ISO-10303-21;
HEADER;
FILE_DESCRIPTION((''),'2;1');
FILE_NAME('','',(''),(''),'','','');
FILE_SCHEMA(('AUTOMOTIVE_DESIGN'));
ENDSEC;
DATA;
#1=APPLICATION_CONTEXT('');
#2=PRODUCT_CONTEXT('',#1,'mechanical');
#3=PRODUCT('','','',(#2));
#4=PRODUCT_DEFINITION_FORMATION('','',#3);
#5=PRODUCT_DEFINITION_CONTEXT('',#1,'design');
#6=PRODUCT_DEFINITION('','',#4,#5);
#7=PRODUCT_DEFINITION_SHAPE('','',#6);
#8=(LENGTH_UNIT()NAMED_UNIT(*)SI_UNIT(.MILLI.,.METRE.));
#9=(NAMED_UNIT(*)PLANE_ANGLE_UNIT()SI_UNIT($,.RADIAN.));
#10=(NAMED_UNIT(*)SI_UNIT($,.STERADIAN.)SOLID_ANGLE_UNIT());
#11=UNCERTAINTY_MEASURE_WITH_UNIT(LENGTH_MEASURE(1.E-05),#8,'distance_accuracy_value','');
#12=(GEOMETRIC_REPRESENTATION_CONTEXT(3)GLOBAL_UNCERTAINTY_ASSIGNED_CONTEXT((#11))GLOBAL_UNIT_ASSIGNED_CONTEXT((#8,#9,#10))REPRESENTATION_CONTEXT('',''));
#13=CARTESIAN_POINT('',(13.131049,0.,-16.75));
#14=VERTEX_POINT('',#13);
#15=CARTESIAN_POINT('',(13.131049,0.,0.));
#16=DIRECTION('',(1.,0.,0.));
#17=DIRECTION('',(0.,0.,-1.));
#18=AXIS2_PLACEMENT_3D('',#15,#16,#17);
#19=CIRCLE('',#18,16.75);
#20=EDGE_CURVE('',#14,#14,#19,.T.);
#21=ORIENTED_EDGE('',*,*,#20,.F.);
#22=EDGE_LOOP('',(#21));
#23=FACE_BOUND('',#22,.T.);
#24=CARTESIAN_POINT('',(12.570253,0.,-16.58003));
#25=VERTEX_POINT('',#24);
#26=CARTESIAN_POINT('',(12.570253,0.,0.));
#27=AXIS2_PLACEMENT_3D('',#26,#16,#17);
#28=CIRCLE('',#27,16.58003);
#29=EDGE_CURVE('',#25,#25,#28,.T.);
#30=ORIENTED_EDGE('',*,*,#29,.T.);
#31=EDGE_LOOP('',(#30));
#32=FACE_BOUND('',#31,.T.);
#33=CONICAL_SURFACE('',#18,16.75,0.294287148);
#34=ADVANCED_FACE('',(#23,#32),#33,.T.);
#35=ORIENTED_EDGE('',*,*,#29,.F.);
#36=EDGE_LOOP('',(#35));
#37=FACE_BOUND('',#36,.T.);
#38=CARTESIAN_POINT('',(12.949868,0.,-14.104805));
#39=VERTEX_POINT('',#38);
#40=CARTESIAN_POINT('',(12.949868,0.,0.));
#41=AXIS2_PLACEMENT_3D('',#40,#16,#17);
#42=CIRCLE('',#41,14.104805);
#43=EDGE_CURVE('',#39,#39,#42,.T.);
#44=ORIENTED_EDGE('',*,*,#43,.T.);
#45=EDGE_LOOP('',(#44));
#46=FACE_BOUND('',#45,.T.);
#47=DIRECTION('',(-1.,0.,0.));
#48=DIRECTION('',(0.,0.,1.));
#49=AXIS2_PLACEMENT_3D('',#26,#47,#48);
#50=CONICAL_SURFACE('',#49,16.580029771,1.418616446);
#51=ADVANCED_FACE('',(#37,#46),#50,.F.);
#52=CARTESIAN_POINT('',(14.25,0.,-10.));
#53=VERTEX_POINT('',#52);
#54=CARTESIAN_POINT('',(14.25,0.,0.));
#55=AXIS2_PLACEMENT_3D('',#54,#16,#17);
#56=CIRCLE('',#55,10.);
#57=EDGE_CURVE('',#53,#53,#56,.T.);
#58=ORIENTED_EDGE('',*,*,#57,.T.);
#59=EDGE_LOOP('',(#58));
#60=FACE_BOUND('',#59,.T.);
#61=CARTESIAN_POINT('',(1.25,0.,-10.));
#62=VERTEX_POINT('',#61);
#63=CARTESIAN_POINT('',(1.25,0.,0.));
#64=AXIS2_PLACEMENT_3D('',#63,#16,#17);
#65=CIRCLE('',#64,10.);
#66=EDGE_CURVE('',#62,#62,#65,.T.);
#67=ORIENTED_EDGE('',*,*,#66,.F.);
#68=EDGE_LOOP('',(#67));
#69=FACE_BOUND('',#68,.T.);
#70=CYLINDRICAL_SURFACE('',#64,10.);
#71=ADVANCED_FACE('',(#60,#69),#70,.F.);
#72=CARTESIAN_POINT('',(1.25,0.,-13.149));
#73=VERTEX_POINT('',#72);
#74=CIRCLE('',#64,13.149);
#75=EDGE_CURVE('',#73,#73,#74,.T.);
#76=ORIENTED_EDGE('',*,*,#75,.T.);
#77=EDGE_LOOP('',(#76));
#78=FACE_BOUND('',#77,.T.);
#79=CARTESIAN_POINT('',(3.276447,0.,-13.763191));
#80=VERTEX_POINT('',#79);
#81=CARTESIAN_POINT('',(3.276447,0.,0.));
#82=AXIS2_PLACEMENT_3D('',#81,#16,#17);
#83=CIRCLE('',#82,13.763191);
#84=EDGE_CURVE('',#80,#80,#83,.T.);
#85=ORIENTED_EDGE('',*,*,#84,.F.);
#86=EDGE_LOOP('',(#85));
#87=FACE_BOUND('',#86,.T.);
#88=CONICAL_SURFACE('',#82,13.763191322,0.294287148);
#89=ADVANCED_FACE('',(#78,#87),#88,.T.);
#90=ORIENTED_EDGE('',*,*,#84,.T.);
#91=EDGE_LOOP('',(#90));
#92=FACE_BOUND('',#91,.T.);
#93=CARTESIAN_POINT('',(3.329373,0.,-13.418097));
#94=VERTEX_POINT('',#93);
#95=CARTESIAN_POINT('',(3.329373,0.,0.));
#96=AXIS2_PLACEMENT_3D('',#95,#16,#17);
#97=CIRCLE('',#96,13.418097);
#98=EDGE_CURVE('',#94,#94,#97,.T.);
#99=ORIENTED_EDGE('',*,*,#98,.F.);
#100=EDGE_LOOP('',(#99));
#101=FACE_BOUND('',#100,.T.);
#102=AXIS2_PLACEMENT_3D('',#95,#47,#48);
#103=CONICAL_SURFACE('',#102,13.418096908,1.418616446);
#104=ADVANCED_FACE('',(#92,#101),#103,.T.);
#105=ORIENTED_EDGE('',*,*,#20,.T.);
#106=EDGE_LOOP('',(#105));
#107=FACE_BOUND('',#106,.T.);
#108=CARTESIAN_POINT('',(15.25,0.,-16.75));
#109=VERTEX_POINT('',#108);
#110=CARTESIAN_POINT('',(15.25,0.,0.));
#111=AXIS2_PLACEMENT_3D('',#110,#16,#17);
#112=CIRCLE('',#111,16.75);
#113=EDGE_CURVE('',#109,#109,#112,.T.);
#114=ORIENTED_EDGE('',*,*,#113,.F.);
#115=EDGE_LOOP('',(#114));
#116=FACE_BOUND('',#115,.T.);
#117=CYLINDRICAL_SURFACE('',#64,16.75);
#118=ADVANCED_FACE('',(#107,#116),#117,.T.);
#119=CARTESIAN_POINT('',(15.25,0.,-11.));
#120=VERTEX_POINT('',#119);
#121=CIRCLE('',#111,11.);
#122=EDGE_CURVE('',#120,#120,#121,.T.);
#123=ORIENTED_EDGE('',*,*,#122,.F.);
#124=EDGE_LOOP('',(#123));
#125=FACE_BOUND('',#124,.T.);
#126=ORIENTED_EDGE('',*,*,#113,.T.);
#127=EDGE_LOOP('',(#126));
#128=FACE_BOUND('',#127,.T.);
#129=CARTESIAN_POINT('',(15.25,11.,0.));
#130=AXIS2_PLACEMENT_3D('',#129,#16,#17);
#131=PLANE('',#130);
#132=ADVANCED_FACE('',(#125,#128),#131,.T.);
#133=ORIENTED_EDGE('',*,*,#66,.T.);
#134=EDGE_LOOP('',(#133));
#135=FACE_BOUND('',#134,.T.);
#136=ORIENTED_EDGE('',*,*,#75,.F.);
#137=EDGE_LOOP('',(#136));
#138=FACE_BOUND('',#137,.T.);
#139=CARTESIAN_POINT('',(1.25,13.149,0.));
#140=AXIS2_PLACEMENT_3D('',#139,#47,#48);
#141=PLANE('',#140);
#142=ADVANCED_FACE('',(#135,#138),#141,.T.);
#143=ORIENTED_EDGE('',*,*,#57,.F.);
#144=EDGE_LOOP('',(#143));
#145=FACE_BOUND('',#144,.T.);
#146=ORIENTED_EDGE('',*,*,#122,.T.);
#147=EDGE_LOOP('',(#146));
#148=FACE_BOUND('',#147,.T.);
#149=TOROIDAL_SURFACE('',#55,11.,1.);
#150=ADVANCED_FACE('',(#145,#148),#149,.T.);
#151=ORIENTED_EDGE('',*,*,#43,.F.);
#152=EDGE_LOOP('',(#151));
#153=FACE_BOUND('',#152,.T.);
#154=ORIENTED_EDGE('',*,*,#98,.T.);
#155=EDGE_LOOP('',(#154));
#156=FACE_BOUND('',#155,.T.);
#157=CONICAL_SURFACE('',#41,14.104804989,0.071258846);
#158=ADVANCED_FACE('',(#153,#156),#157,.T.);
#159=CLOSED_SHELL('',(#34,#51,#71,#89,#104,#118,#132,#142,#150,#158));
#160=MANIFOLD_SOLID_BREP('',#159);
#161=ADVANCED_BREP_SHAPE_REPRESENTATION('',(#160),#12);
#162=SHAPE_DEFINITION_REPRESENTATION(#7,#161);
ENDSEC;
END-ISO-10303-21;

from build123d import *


with BuildPart() as part:
    # ｽｹｯﾁ1 → 回転1 (revolve)
    with BuildSketch(Plane.XY, mode=Mode.PRIVATE) as revolve_1_sk:
        with BuildLine():
            Line((1.25, 13.149), (1.25, 10))
            Line((1.25, 10), (14.25, 10))
            ThreePointArc((14.25, 10), (14.957106781, 10.292893219), (15.25, 11))
            Line((15.25, 11), (15.25, 16.75))
            Line((15.25, 16.75), (13.131049, 16.75))
            Line((13.131049, 16.75), (12.570253493, 16.580029771))
            Line((12.570253493, 16.580029771), (12.9498679, 14.104804989))
            Line((12.9498679, 14.104804989), (3.329373052, 13.418096908))
            Line((3.329373052, 13.418096908), (3.276447429, 13.763191322))
            Line((3.276447429, 13.763191322), (1.25, 13.149))
        make_face()
    revolve(revolve_1_sk.sketch.rotate(Axis((1.25, 0, 0), (1, 0, 0)), 270), axis=Axis((1.25, 0, 0), (1, 0, 0)))


solid = part.part
